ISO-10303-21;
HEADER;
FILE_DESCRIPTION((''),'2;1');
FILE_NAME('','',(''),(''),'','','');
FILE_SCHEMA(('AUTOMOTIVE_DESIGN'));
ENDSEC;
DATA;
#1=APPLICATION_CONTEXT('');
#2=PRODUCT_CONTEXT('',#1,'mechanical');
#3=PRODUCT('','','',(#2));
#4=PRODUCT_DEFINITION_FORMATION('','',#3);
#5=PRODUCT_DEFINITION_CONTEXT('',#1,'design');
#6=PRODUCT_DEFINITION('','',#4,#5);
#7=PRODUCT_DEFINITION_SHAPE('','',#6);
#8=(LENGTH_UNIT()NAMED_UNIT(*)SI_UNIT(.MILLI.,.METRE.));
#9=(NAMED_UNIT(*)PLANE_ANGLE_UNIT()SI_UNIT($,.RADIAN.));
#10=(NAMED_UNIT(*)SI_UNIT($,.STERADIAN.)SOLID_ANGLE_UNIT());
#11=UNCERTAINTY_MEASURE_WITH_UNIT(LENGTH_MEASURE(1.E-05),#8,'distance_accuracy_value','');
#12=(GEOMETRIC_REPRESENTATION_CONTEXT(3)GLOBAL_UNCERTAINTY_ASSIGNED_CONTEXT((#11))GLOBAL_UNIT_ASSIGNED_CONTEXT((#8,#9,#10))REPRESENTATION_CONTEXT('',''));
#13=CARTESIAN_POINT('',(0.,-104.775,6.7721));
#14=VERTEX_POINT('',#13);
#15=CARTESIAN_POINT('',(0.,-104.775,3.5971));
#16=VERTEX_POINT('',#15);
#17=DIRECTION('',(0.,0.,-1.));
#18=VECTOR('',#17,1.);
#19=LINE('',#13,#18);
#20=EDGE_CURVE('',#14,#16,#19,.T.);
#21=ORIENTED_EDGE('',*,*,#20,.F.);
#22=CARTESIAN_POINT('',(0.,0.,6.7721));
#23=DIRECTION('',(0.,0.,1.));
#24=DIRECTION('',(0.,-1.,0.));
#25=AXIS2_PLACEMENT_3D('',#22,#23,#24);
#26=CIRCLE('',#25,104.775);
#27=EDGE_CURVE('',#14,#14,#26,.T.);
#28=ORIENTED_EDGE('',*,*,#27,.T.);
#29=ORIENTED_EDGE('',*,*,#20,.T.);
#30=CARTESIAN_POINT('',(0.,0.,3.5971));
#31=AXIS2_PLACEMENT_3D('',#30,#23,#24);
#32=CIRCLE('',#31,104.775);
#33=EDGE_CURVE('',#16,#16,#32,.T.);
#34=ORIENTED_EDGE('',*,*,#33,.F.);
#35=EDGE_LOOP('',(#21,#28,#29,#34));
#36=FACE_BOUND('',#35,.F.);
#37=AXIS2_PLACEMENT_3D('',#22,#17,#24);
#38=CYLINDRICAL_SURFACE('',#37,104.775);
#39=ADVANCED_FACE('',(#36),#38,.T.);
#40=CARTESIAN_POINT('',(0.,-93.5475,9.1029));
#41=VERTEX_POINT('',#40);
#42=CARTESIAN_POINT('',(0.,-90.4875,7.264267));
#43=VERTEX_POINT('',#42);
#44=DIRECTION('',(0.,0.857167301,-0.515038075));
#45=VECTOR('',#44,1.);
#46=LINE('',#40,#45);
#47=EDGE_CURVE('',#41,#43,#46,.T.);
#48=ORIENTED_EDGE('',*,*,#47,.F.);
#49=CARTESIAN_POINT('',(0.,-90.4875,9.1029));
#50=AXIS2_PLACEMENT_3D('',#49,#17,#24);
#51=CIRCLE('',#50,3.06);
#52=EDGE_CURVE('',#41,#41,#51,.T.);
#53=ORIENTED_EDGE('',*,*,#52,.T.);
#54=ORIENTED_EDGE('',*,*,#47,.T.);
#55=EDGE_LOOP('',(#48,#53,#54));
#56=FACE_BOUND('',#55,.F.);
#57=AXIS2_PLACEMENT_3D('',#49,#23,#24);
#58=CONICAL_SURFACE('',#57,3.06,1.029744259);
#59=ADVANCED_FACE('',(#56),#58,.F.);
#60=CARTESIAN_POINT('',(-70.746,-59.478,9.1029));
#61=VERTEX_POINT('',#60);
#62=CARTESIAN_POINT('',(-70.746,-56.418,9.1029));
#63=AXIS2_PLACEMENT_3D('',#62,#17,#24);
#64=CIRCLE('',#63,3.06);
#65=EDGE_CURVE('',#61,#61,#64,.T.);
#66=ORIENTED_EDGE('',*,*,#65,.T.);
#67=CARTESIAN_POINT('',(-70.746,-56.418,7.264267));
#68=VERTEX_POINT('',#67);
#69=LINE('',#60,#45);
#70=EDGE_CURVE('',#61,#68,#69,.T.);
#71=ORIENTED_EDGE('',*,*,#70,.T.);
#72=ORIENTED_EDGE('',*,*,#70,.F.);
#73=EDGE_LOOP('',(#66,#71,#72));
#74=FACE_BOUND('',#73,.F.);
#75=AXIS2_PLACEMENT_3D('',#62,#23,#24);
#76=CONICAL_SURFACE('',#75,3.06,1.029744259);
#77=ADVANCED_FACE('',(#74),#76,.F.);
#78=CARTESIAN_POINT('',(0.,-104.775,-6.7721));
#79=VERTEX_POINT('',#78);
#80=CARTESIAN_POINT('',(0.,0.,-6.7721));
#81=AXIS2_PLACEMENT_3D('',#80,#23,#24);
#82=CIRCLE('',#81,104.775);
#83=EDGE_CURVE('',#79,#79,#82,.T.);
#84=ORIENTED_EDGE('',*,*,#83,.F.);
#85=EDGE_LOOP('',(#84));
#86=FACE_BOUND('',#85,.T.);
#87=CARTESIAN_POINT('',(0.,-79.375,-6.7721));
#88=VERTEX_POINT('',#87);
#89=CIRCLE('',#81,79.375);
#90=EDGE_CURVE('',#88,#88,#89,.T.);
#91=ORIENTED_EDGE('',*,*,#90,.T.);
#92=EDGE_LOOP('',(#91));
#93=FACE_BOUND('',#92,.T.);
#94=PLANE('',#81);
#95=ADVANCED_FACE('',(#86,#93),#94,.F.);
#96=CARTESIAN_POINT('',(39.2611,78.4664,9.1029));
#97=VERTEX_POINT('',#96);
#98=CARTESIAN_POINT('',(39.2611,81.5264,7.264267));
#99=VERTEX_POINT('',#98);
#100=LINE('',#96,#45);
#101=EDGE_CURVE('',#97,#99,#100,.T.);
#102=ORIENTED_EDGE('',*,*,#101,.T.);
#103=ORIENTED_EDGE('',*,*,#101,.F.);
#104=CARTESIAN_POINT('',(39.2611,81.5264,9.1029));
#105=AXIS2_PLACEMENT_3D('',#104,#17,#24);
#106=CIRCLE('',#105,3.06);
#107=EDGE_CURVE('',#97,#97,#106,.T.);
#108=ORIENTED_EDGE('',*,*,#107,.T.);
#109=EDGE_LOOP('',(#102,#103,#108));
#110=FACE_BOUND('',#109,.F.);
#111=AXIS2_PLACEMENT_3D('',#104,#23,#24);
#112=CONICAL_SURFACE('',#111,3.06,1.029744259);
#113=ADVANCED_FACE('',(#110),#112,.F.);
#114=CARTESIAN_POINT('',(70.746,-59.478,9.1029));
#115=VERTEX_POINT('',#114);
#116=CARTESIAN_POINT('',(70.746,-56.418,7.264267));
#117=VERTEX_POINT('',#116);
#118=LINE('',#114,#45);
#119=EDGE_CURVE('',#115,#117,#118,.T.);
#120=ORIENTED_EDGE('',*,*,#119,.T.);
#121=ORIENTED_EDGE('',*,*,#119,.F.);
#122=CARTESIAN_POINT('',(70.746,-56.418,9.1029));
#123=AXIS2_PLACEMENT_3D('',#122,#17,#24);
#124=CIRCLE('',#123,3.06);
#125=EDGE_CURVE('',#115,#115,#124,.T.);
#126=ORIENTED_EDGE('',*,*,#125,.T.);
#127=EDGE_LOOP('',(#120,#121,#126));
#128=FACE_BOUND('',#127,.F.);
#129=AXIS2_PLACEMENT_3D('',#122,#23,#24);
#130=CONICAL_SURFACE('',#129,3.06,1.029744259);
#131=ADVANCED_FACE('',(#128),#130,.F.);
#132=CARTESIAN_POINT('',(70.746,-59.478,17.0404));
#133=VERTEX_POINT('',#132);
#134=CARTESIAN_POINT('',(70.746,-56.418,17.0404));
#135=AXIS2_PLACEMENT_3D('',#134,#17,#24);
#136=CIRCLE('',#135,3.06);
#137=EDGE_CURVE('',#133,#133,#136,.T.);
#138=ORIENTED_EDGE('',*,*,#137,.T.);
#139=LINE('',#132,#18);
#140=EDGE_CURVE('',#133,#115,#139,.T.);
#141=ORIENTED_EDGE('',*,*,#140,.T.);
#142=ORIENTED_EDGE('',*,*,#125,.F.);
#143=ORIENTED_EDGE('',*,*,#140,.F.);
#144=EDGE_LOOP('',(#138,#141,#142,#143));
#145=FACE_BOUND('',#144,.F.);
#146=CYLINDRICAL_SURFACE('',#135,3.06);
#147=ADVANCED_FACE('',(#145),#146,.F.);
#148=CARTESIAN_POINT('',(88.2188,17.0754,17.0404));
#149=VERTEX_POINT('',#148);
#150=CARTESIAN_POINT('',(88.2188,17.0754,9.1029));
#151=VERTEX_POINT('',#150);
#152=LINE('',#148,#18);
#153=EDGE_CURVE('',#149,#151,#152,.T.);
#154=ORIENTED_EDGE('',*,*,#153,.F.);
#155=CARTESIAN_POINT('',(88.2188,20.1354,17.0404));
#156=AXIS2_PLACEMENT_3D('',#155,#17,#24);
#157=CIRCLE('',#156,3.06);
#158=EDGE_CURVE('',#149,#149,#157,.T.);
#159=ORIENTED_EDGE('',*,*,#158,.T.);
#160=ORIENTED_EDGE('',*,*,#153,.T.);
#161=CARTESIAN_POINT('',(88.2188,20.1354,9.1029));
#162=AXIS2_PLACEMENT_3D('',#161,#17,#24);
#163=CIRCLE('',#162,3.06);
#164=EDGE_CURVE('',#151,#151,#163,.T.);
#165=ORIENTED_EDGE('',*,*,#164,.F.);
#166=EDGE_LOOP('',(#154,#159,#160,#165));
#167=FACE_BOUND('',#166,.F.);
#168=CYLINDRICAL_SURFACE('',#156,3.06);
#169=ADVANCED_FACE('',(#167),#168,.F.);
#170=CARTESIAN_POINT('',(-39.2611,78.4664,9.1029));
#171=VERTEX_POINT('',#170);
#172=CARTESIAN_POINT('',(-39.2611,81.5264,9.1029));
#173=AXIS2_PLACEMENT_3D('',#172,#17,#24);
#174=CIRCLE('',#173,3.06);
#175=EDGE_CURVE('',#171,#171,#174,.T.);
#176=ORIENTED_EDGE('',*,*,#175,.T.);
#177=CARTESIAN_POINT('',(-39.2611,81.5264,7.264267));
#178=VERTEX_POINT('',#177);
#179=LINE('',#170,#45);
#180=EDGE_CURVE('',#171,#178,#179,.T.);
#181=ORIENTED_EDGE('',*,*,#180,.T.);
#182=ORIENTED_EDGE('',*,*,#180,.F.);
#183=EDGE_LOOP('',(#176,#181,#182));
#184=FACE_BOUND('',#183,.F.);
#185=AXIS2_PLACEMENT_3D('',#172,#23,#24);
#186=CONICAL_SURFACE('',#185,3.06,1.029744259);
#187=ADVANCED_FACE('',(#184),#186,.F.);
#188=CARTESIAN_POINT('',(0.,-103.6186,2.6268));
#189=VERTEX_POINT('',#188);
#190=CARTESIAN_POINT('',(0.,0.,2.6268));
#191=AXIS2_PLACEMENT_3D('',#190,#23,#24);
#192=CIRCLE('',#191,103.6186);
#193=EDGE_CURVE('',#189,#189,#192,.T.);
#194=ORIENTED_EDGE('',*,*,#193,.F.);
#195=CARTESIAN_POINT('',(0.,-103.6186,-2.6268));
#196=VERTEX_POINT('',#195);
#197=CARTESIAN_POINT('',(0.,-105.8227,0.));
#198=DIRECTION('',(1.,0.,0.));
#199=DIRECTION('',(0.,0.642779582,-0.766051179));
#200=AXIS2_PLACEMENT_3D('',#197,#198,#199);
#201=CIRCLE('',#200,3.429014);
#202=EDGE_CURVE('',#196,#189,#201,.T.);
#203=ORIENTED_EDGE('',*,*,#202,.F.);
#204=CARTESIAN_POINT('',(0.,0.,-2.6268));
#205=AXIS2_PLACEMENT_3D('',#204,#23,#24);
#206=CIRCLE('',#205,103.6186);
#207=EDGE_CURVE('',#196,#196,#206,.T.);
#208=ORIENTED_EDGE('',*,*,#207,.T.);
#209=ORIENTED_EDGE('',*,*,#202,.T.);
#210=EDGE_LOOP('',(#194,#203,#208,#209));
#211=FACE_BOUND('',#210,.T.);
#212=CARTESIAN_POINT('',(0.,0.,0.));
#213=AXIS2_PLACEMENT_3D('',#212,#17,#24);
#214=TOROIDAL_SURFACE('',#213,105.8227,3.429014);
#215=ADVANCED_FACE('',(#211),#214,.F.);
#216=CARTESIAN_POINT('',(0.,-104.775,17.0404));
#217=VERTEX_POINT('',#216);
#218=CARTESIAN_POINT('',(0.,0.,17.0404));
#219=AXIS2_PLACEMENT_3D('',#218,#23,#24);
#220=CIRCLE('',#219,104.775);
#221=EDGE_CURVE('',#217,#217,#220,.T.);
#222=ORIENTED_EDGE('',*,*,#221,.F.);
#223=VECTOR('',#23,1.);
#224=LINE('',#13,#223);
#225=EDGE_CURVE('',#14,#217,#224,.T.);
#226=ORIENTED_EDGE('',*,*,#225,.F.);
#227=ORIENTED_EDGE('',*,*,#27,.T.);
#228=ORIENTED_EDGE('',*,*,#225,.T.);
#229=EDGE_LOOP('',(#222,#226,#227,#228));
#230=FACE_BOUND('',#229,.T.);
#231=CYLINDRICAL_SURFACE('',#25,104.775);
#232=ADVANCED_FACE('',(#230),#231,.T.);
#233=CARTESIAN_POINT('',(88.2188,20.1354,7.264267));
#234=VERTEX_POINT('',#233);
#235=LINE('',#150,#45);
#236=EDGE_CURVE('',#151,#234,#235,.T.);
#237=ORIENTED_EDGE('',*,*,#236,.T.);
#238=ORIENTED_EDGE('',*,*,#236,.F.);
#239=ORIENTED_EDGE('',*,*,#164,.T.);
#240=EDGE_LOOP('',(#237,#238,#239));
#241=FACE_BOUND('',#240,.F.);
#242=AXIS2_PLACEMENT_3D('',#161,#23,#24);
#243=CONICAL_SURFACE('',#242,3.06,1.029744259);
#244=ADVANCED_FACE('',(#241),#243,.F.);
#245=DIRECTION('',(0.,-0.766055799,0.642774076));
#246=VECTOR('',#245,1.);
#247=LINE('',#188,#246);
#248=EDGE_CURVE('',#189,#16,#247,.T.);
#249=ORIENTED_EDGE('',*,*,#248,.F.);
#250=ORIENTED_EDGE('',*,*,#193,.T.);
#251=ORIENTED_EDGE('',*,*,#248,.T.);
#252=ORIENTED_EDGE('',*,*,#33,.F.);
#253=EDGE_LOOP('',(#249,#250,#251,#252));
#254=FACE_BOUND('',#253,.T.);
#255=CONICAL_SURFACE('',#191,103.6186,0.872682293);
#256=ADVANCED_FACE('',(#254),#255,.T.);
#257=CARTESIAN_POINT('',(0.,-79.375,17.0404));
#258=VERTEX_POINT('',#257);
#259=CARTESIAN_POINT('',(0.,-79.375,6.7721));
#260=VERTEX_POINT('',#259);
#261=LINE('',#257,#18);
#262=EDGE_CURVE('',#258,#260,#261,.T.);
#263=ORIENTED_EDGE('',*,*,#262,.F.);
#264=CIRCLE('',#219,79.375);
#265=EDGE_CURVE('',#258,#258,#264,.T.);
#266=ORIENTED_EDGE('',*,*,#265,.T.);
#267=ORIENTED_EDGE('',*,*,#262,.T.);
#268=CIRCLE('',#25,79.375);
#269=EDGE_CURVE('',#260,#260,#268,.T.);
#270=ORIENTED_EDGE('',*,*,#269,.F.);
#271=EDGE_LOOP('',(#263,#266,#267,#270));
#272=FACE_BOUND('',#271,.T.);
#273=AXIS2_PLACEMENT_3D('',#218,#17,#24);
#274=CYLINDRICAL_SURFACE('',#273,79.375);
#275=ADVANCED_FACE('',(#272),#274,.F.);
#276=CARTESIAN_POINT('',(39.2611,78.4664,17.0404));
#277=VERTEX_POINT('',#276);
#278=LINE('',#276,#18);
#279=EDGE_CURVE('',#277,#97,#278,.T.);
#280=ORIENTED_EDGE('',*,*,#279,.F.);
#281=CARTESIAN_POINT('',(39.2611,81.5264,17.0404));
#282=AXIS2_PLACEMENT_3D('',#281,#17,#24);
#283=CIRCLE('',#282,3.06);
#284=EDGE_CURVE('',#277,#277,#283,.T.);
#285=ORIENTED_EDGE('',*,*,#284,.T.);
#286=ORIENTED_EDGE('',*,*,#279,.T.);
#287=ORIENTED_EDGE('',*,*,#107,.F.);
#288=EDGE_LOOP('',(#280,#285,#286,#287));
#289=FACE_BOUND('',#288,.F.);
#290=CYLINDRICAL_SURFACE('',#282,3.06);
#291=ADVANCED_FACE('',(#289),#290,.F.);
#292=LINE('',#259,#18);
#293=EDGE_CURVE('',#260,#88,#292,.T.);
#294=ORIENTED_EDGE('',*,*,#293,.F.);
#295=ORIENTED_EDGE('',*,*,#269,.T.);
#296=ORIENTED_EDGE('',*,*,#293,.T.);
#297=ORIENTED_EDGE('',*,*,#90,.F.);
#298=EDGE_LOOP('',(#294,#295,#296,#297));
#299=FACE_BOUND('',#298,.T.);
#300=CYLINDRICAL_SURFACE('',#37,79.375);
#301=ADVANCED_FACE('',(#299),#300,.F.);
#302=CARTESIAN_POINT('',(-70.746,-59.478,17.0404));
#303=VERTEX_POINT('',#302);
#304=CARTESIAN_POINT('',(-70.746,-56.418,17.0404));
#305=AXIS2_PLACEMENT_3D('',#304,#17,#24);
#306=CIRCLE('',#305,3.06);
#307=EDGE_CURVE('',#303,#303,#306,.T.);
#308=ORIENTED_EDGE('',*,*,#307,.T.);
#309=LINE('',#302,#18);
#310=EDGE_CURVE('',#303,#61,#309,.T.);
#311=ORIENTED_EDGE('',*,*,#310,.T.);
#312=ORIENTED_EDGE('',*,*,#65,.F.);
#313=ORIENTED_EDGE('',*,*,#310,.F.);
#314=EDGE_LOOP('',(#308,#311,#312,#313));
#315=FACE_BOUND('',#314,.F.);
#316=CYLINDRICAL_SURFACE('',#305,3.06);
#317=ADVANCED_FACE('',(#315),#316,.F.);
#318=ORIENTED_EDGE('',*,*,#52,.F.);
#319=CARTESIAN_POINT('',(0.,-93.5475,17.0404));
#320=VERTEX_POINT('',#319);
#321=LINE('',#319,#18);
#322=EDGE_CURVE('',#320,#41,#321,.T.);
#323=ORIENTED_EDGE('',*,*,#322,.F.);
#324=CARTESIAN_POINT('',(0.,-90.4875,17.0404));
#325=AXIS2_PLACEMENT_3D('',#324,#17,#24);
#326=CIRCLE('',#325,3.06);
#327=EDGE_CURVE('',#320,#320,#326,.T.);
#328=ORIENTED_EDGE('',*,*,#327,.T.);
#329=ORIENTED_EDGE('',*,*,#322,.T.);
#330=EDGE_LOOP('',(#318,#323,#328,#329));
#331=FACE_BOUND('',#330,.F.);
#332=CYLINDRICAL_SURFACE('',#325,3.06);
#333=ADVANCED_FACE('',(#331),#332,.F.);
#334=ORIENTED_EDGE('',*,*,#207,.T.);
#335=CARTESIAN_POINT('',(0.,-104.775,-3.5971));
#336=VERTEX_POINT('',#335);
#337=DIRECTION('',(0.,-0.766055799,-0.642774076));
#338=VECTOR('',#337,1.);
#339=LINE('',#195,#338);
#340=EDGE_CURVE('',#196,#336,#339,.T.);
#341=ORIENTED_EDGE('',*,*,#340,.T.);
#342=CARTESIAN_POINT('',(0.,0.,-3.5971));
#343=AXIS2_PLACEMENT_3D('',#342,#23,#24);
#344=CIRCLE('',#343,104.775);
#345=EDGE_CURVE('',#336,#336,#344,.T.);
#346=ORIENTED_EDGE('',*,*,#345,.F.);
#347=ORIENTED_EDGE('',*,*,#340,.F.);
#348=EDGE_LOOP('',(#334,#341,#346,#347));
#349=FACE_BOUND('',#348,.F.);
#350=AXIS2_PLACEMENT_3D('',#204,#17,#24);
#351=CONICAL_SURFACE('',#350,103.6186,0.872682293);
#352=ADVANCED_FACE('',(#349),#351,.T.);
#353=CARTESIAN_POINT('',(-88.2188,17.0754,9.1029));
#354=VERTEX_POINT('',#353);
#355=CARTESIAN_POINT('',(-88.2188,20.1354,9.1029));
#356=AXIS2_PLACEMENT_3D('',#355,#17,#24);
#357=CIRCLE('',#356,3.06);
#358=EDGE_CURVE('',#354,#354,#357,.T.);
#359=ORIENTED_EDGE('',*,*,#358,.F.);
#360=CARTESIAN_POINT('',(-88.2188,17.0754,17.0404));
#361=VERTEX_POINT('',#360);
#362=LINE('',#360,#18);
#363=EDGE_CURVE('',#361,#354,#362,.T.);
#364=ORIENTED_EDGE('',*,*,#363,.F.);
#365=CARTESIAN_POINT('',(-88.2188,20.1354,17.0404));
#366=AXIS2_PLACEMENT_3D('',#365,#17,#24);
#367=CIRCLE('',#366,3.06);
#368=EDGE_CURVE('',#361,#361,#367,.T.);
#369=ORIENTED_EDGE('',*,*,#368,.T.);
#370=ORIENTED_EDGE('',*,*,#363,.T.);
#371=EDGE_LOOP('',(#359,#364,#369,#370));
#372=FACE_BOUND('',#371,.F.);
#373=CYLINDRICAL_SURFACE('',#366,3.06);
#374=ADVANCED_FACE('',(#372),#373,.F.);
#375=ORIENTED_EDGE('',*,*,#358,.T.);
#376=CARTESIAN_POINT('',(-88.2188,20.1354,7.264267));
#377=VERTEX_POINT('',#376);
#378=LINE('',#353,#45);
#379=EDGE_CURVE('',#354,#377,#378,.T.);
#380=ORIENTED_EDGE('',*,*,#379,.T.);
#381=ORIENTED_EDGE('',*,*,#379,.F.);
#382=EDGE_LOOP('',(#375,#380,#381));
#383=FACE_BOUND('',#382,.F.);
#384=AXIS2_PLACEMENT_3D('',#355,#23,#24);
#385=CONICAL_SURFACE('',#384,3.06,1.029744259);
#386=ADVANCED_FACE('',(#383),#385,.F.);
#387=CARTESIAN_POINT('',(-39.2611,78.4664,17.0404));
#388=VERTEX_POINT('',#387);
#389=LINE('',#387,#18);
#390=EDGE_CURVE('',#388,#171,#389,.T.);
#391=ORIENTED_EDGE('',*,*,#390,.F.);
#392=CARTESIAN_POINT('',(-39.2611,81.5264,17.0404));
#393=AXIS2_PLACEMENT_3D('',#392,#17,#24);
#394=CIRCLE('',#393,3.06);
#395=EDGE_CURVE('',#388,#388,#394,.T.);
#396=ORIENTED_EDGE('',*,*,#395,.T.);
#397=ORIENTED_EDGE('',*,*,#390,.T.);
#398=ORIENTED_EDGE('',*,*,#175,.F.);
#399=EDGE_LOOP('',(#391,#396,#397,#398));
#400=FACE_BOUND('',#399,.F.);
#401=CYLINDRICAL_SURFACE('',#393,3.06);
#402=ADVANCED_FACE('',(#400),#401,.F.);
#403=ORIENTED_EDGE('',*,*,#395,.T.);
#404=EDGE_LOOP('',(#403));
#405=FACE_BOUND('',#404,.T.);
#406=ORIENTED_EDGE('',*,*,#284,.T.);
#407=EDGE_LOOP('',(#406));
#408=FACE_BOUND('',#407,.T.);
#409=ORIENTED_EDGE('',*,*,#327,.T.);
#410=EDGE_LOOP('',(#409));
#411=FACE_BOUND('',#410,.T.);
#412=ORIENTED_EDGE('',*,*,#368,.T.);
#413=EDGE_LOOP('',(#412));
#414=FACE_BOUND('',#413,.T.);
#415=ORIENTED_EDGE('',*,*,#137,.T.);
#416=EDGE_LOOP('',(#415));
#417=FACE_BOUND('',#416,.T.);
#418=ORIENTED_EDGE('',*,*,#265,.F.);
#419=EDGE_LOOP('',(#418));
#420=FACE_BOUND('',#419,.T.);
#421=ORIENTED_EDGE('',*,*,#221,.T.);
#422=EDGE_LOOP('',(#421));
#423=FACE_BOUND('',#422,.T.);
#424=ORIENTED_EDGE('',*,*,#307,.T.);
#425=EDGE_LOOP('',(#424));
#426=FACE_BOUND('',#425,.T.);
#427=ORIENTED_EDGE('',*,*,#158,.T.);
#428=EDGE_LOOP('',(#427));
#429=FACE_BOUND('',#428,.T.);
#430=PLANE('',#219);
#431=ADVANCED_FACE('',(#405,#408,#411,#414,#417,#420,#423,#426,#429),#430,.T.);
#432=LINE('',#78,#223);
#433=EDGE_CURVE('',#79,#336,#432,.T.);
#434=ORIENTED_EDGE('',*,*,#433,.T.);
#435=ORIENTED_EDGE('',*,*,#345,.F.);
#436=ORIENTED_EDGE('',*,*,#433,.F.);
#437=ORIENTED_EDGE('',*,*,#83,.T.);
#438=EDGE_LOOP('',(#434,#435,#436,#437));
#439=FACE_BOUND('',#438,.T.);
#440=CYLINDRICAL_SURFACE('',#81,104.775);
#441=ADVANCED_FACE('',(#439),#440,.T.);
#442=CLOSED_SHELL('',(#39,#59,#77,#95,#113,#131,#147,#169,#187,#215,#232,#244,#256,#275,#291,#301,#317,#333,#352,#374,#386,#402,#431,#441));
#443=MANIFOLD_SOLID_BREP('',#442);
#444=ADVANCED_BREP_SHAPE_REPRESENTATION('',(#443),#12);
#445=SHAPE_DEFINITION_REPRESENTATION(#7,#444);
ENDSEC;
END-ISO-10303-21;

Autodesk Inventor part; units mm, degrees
ref_plane "YZ Plane" through (0, 0, 0) normal (1, 0, 0) x (0, 1, 0)
ref_plane "XZ Plane" through (0, 0, 0) normal (0, 1, 0) x (-1, 0, 0)
ref_plane "XY Plane" through (0, 0, 0) normal (0, 0, 1) x (1, 0, 0)
sketch "Sketch1" plane through (0, 0, 0) normal (1, 0, 0) x (0, 1, 0)
  arc A0 (-107.5189, 2.6268) -> (-107.5189, -2.6268) centre (-105.3147, 0) ccw construction
  line L0 (-105.5687, 3.175) -> (-105.5687, -3.175) construction
  line L1 (-107.5189, 2.6268) -> (-107.5189, 4.635) construction
  line L2 (-106.3625, 6.7721) -> (-106.3625, 3.5971) construction
  line L3 (-107.5189, 2.6268) -> (-106.3625, 3.5971) construction
  line L4 (-107.5189, -2.6268) -> (-106.3625, -3.5971) construction
  line L5 (-131.7625, 6.7721) -> (-131.7625, -6.7721) construction
  line L6 (-131.7625, 6.7721) -> (-106.3625, 6.7721) construction
  line L7 (-131.7625, -6.7721) -> (-106.3625, -6.7721) construction
  line L8 (-106.3625, -6.7721) -> (-106.3625, -3.5971) construction
  circle A1 centre (-105.5687, 0) radius 3.175 construction
  line L9 (-35.1032, 0) -> (87.3968, 0) construction
  line L10 (-104.775, 6.7721) -> (-104.775, 3.5971)
  line L11 (-104.775, -6.7721) -> (-104.775, -3.5971)
  line L12 (-103.6186, 2.6268) -> (-104.775, 3.5971)
  line L13 (-103.6186, -2.6268) -> (-104.775, -3.5971)
  arc A2 (-103.6186, -2.6268) -> (-103.6186, 2.6268) centre (-105.8227, 0) ccw
  line L14 (-79.375, 6.7721) -> (-79.375, -6.7721)
  line L15 (0, -7.2584) -> (0, 7.2584) construction
  line L16 (-79.375, -6.7721) -> (-104.775, -6.7721)
  line L17 (-79.375, 6.7721) -> (-104.775, 6.7721) construction
  line L18 (-104.775, 6.7721) -> (-104.775, 17.0404)
  line L19 (-104.775, 17.0404) -> (-79.375, 17.0404)
  line L20 (-79.375, 17.0404) -> (-79.375, 6.7721)
  line L21 (-90.4875, 22.7342) -> (-90.4875, 17.0404) construction
  point P0 (0, 0)
  point P1 (0, 0)
  point P2 (-108.7437, 0)
  point P3 (-131.7625, 0)
  point P4 (-19.1031, 0)
  point P5 (0, 7.2584)
  point P6 (0, 0)
  point P7 (-143.7622, 15.4465)
  dimension "d0" = 6.35
  dimension "d1" = 3.429
  dimension "d2" = 50
  dimension "d3" = 3.175
  dimension "d4" = 1.5875
  dimension "d5" = 158.75
  dimension "d7" = 25.4
  dimension "d8" = 25.4
  dimension "d9" = 180.975
  dimension "d23" = 23.8125
revolve "Revolution1" add sketch "Sketch1" angle 360 about axis through (0, 0, -7.2584) along (0, 0, 1)
sketch "Sketch2" plane through (0, 0, 17.0404) normal (0, 0, 1) x (1, 0, 0)
  point P0 (0, 0)
  point P1 (0, -90.4875)
  point P2 (70.746, -56.418)
  point P3 (88.2188, 20.1354)
  point P4 (39.2611, 81.5264)
  point P5 (-39.2611, 81.5264)
  point P6 (-88.2188, 20.1354)
  point P7 (-70.746, -56.418)
  dimension "d11" = 90.4875
  dimension "d14" = 360
hole "Hole1" at (0, -90.4875, 17.0404) at (70.746, -56.418, 17.0404) at (88.2188, 20.1354, 17.0404) at (39.2611, 81.5264, 17.0404) at (-39.2611, 81.5264, 17.0404) at (-88.2188, 20.1354, 17.0404) at (-70.746, -56.418, 17.0404) direction (0, 0, -1) diameter 6.12 depth 7.9375 tip angle 118
equation "\"d8\" = d7"
properties part number "3DPRINT,TURRET,BEARING,INNER" material "Nylon 6/6"
